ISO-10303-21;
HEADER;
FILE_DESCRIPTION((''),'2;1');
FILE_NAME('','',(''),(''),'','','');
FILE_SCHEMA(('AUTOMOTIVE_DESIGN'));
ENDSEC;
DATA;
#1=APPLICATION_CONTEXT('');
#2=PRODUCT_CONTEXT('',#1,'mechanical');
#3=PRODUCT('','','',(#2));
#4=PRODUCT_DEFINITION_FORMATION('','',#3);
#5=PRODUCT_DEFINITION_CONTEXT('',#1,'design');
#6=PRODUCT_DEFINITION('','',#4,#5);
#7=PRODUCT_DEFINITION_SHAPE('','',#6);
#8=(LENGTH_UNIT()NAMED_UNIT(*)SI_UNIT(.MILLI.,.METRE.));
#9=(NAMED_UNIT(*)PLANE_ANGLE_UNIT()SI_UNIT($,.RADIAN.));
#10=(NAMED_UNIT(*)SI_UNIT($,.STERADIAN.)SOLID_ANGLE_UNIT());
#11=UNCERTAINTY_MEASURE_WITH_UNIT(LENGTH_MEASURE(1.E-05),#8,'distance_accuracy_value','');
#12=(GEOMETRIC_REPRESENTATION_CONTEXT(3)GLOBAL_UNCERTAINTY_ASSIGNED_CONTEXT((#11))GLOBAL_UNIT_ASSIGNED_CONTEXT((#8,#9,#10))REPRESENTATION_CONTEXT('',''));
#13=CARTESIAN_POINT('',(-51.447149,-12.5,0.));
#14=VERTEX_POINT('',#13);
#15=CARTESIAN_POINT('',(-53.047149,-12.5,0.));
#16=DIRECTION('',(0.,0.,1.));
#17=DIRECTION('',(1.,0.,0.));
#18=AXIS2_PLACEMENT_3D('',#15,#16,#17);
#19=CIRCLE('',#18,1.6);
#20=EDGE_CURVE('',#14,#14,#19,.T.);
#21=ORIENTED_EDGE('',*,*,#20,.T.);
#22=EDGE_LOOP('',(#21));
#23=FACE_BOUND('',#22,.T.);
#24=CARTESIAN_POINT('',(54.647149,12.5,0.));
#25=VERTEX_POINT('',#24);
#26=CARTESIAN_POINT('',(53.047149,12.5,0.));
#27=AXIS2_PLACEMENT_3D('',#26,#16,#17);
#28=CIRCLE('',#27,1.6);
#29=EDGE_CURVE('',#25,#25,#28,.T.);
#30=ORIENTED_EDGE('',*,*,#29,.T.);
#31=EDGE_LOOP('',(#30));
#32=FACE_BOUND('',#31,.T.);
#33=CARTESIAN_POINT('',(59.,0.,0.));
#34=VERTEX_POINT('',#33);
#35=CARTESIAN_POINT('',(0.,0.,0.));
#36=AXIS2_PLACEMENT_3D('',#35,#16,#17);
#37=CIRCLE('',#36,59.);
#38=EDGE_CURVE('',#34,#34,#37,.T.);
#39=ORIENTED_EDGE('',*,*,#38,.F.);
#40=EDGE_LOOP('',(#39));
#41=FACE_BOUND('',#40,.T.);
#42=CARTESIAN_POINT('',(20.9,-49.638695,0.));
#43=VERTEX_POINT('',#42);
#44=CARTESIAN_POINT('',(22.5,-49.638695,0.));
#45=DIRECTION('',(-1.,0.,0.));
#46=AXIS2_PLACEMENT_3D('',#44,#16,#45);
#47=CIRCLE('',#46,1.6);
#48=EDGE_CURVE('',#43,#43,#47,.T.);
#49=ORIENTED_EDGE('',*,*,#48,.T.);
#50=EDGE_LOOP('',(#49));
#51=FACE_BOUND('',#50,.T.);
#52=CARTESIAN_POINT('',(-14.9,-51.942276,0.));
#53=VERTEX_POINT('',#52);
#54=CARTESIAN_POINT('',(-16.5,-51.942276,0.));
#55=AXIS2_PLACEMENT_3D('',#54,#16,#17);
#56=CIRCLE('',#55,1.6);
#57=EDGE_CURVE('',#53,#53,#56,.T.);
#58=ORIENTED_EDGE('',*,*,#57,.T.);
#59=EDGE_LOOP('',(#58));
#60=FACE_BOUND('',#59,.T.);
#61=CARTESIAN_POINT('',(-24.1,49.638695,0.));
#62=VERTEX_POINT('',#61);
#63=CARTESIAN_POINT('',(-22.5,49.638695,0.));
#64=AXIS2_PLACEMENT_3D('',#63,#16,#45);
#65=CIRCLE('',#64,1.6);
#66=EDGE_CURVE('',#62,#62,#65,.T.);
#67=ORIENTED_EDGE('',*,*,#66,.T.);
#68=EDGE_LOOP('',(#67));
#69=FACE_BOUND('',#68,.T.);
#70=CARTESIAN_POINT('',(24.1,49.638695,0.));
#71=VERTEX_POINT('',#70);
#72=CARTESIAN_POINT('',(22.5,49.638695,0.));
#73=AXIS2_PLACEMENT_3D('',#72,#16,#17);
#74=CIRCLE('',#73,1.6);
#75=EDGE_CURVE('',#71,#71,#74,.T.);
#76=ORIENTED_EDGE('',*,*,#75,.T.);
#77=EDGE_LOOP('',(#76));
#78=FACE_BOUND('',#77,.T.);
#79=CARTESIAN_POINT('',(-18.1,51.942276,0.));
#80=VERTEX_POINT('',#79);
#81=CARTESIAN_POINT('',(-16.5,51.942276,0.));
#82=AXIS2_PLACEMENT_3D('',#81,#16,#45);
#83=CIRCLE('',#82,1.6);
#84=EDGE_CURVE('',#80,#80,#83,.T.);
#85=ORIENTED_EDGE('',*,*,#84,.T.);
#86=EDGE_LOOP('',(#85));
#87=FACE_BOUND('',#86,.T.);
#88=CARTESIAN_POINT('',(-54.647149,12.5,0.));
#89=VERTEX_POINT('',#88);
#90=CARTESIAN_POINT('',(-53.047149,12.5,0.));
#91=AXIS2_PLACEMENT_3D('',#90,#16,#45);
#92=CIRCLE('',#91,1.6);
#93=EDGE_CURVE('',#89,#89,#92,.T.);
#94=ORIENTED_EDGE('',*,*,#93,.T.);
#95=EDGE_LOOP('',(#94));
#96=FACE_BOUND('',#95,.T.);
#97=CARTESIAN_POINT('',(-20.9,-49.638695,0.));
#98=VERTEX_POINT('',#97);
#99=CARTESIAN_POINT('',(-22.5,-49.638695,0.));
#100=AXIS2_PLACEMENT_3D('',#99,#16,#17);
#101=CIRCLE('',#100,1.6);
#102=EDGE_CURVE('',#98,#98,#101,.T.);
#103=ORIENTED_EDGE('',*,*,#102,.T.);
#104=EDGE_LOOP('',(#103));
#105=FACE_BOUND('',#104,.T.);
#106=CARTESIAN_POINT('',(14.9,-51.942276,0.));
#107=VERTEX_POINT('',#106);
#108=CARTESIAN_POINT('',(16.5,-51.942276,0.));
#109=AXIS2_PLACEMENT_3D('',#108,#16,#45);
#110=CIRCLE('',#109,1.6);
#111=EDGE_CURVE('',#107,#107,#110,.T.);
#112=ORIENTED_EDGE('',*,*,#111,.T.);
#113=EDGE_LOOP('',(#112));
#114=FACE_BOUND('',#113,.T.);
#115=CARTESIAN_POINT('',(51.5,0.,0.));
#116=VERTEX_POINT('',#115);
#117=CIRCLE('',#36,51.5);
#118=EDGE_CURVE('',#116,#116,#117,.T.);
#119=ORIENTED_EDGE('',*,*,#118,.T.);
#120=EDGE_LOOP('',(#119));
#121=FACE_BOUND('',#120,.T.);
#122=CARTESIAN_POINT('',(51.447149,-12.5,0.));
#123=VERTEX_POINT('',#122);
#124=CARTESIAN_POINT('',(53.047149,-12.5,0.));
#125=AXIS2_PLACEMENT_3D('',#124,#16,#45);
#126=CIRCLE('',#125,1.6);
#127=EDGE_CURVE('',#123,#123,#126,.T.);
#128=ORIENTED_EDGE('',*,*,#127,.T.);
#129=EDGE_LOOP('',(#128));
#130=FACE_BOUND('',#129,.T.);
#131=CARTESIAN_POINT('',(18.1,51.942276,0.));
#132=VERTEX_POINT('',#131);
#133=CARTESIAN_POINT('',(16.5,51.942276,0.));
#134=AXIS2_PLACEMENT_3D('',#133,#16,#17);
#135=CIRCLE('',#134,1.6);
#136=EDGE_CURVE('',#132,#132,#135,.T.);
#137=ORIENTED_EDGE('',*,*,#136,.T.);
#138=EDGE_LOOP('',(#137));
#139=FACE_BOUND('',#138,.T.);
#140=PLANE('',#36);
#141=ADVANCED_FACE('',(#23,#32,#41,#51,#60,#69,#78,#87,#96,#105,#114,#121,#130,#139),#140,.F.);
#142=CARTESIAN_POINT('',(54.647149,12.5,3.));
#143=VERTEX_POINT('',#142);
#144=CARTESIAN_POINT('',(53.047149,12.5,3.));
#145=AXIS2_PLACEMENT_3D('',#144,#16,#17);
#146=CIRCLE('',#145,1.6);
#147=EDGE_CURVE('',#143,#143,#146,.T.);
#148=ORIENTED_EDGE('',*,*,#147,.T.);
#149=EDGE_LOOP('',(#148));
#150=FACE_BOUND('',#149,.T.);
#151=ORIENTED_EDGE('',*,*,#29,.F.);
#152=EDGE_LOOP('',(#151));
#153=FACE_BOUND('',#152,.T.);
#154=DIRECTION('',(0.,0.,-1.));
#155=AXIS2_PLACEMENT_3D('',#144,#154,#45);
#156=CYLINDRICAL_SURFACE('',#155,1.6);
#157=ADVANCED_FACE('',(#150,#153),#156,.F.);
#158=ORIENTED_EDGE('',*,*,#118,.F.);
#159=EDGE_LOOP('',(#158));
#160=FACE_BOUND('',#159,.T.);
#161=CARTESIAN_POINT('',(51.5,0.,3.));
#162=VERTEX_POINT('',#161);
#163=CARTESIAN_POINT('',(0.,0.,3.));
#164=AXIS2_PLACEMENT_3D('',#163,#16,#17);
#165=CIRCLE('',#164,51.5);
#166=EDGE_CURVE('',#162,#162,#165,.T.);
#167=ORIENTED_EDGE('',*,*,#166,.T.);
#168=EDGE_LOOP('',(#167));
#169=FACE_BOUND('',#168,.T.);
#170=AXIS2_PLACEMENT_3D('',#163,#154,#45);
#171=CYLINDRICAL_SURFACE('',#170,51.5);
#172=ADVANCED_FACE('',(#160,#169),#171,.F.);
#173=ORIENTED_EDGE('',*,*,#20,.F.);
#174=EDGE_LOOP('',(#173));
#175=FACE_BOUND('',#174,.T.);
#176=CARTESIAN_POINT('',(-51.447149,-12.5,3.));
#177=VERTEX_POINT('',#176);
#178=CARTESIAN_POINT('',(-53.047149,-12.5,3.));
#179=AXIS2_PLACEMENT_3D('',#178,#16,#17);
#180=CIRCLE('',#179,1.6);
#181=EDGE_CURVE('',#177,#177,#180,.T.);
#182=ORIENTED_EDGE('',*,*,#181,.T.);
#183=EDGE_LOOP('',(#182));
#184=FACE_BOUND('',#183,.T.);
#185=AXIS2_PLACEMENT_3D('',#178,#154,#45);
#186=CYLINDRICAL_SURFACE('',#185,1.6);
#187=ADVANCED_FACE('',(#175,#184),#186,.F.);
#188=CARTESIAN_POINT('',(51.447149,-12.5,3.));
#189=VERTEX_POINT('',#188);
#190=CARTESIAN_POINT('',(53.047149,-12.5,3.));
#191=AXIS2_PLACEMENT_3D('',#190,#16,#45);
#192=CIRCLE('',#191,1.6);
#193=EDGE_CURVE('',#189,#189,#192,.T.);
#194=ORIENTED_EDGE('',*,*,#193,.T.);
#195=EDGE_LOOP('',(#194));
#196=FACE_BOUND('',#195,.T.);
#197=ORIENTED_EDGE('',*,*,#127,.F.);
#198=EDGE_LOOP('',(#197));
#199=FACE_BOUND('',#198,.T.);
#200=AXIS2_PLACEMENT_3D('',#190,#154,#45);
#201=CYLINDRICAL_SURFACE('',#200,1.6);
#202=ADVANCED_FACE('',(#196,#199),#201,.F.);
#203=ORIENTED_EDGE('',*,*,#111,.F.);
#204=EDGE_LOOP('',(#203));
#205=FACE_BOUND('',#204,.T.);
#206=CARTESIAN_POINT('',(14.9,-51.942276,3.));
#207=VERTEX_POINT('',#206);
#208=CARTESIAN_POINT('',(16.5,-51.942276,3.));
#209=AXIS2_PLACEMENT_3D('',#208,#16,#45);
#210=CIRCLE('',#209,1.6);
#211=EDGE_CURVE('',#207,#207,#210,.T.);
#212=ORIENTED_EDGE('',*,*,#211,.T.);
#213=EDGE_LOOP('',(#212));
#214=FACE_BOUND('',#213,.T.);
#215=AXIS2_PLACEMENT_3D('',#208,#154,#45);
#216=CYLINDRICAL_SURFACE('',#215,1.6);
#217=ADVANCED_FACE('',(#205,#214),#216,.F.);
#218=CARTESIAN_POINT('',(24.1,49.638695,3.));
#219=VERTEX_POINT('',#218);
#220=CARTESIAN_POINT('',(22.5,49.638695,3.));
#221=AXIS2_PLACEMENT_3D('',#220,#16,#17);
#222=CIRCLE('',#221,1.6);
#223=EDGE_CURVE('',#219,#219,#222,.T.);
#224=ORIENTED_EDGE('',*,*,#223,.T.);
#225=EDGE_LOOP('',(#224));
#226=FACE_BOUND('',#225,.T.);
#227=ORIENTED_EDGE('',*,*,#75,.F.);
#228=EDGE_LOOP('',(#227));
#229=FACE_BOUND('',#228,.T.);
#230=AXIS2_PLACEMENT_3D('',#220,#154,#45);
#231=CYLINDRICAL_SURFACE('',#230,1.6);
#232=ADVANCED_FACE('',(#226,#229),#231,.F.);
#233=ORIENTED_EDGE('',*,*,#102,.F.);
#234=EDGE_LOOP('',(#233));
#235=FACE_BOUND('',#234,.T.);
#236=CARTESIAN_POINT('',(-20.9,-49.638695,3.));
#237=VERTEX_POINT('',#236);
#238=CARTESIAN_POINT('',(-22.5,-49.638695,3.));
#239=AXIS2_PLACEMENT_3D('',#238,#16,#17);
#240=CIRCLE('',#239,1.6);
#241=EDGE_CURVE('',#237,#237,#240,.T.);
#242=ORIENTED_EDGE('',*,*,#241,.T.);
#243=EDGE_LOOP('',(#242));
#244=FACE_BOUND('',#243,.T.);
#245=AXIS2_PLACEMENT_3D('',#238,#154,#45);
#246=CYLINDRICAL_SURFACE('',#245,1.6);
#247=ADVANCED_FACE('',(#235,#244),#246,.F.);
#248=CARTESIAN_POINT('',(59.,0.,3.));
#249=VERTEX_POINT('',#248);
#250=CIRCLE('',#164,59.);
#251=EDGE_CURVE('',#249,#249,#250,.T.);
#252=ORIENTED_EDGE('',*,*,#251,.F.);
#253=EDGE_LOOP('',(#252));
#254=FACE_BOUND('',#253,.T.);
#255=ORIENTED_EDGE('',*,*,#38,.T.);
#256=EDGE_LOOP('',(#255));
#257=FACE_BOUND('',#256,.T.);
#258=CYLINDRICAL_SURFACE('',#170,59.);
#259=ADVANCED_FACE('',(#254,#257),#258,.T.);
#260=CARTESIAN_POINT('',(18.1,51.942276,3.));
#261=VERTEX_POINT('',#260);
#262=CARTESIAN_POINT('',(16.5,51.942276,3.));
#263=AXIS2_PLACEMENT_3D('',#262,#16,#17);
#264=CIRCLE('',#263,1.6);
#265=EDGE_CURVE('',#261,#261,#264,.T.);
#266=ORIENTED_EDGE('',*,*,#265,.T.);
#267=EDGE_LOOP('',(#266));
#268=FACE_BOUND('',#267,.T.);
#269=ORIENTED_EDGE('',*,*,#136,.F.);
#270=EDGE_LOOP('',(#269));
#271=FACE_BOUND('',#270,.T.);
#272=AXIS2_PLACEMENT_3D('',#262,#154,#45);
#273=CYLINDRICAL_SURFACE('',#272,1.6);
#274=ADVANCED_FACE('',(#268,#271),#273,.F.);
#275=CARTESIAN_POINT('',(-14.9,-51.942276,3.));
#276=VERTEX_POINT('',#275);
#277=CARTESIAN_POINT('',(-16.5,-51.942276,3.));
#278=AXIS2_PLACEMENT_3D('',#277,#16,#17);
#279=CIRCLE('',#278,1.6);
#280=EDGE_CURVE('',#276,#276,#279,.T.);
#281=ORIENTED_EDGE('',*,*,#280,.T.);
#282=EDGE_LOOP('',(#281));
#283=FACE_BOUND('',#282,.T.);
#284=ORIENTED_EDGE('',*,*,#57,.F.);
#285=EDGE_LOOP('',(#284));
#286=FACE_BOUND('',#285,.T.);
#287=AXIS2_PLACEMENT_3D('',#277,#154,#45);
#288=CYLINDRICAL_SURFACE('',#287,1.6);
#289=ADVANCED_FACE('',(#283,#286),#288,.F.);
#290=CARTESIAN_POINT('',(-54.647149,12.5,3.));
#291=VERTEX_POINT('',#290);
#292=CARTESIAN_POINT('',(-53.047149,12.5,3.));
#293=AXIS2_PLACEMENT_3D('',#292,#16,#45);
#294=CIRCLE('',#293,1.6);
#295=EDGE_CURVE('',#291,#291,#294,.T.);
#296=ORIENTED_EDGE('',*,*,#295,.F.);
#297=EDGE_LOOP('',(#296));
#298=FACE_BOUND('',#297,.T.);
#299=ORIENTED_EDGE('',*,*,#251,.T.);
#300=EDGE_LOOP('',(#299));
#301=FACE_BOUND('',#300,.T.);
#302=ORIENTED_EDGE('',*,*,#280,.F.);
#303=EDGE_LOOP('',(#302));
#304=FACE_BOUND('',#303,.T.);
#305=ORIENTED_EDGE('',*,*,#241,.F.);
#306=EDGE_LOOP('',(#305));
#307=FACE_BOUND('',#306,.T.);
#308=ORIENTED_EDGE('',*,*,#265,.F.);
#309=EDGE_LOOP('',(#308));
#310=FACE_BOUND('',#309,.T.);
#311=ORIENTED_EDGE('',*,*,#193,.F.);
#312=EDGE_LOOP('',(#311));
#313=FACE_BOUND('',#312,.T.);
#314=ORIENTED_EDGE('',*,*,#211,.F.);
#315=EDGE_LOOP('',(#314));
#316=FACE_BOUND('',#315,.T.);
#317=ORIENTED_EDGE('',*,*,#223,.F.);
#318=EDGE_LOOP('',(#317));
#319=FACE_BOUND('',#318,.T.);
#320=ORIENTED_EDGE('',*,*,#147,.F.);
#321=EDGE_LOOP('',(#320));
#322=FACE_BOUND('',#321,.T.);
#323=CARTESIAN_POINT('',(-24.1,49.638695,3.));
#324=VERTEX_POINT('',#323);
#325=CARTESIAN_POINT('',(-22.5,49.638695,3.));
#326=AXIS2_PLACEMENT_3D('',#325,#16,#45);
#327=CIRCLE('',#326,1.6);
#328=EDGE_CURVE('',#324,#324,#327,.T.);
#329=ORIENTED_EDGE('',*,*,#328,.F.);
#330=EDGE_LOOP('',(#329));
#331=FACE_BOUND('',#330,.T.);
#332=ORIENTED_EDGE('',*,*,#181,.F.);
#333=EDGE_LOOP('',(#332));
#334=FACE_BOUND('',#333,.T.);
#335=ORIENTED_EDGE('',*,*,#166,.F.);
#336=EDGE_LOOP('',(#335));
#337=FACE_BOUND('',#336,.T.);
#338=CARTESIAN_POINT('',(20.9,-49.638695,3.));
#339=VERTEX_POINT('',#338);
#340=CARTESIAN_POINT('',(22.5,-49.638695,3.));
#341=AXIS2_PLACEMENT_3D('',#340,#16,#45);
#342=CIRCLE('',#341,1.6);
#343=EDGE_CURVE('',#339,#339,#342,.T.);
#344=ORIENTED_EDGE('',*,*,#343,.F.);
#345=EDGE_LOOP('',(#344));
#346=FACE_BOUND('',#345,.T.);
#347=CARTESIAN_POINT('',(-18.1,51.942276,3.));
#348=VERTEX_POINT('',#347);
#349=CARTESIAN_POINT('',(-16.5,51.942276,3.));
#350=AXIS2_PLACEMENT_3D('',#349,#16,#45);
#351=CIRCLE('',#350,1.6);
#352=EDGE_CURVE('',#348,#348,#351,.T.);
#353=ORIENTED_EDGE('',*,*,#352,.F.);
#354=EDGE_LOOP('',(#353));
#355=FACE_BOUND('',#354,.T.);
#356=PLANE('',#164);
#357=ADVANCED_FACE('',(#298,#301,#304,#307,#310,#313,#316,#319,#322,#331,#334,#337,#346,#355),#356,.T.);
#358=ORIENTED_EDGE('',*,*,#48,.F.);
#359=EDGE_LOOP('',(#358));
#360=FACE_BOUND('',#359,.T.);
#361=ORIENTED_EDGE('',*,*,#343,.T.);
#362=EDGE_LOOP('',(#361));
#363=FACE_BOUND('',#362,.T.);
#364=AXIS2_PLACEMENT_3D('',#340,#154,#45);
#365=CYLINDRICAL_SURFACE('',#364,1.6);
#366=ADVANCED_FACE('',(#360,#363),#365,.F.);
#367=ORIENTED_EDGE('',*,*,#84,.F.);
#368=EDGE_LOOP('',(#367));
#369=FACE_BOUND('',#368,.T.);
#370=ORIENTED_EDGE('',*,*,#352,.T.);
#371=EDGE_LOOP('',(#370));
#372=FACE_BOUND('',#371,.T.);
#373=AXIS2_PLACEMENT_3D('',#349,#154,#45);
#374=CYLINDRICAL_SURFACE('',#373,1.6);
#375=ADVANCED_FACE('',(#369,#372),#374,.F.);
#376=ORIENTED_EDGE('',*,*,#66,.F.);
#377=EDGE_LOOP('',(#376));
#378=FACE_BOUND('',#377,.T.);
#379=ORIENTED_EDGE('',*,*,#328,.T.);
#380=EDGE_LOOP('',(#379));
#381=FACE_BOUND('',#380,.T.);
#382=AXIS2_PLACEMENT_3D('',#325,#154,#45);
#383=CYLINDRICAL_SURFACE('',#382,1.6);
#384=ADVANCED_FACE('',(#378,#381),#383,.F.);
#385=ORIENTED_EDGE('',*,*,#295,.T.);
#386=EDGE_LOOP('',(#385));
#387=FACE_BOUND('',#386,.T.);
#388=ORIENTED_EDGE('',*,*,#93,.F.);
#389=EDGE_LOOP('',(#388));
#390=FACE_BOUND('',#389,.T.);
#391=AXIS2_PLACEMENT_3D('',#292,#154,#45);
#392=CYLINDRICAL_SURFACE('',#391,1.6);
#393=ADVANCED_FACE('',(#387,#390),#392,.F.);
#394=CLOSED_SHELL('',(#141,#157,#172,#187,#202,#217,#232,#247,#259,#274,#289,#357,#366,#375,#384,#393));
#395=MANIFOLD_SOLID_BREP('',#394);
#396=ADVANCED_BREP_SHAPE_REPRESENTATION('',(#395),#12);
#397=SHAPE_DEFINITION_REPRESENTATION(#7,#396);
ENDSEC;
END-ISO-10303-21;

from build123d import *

# Parameters (mm, degrees)
SKETCH_1_R      = 59
SKETCH_1_R_2    = 51.5
SKETCH_1_R_3    = 1.6
EXTRUDE_1_DEPTH = 3


with BuildPart() as part:
    # 草图1 → 凸台-拉伸1 (new body)
    with BuildSketch(Plane.XY):
        Circle(SKETCH_1_R)
        Circle(SKETCH_1_R_2, mode=Mode.SUBTRACT)
        with Locations((16.5, 51.942275653)):
            Circle(SKETCH_1_R_3, mode=Mode.SUBTRACT)
        with Locations((22.5, 49.638694584)):
            Circle(SKETCH_1_R_3, mode=Mode.SUBTRACT)
        with Locations((53.047148839, 12.5)):
            Circle(SKETCH_1_R_3, mode=Mode.SUBTRACT)
        with Locations(Location((22.5, -49.638694584, 0), (0, 0, 180))):
            Circle(SKETCH_1_R_3, mode=Mode.SUBTRACT)
        with Locations(Location((16.5, -51.942275653, 0), (0, 0, 180))):
            Circle(SKETCH_1_R_3, mode=Mode.SUBTRACT)
        with Locations(Location((53.047148839, -12.5, 0), (0, 0, 180))):
            Circle(SKETCH_1_R_3, mode=Mode.SUBTRACT)
        with Locations((-16.5, -51.942275653)):
            Circle(SKETCH_1_R_3, mode=Mode.SUBTRACT)
        with Locations((-22.5, -49.638694584)):
            Circle(SKETCH_1_R_3, mode=Mode.SUBTRACT)
        with Locations((-53.047148839, -12.5)):
            Circle(SKETCH_1_R_3, mode=Mode.SUBTRACT)
        with Locations(Location((-53.047148839, 12.5, 0), (0, 0, 180))):
            Circle(SKETCH_1_R_3, mode=Mode.SUBTRACT)
        with Locations(Location((-22.5, 49.638694584, 0), (0, 0, 180))):
            Circle(SKETCH_1_R_3, mode=Mode.SUBTRACT)
        with Locations(Location((-16.5, 51.942275653, 0), (0, 0, 180))):
            Circle(SKETCH_1_R_3, mode=Mode.SUBTRACT)
    extrude(amount=EXTRUDE_1_DEPTH)


solid = part.part
